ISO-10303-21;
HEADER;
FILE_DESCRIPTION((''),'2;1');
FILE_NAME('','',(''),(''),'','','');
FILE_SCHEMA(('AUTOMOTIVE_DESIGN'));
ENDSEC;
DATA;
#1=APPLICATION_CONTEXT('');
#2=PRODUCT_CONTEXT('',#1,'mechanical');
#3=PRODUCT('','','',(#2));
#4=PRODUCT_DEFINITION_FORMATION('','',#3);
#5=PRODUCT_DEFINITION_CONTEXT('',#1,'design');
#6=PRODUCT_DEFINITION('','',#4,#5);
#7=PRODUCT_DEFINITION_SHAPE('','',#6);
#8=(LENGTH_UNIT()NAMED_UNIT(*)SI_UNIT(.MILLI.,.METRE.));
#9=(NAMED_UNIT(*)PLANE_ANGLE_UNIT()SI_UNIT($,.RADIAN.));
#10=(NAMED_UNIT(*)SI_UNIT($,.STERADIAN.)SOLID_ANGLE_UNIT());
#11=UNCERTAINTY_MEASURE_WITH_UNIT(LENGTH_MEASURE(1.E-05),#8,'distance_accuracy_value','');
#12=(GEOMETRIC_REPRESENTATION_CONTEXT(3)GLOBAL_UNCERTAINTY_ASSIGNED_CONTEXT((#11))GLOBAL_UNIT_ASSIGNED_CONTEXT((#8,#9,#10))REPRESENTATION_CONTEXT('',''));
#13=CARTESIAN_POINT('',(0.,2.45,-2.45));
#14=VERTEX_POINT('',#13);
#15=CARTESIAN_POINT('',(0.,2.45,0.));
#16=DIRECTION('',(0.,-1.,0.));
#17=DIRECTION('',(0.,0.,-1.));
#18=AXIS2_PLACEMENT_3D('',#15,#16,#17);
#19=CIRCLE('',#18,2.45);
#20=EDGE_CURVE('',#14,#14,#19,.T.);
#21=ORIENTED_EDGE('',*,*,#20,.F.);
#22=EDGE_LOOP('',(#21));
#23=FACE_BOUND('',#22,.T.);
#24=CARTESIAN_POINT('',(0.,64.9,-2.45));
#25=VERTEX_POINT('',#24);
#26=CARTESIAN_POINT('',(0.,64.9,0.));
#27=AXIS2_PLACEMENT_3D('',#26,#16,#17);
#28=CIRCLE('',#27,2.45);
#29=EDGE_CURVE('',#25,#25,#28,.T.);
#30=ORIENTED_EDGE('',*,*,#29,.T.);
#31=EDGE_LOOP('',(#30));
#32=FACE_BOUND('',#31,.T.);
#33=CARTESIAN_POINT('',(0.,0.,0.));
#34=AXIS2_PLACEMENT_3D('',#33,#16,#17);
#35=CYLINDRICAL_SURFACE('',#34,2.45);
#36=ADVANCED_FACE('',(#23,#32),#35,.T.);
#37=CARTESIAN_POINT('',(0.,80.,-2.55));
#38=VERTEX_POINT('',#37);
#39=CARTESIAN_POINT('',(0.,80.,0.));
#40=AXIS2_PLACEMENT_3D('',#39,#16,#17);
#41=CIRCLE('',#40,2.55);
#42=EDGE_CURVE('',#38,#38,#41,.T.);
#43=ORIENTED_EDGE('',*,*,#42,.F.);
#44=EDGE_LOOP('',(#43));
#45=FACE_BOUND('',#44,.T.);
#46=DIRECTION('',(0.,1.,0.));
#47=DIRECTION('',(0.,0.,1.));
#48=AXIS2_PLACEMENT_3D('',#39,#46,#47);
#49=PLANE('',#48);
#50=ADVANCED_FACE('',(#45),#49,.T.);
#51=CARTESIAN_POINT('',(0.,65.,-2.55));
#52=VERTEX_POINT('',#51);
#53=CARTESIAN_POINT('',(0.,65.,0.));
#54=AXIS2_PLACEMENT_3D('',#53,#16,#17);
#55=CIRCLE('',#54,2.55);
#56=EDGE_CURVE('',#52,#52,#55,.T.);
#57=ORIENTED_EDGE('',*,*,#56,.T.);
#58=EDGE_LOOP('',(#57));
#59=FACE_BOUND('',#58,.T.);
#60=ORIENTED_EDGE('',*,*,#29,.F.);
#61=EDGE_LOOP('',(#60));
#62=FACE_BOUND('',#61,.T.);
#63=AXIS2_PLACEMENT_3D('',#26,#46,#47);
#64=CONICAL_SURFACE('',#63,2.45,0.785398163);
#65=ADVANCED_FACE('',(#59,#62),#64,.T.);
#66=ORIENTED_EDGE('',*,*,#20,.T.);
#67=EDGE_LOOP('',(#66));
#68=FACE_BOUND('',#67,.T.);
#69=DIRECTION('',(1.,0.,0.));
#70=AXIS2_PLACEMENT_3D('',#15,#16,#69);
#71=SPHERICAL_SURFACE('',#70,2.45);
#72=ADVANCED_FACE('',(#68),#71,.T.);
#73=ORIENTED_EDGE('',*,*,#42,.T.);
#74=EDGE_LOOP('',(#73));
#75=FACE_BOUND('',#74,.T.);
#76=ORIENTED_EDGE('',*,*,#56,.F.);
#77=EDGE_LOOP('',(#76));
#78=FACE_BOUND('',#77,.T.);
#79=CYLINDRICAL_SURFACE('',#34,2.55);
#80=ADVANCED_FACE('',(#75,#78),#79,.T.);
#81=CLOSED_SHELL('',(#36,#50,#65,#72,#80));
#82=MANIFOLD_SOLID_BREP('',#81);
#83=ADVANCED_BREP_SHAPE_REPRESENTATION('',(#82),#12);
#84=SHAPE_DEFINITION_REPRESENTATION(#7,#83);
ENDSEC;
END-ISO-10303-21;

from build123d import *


with BuildPart() as part:
    # Sketch1 → Revolve1 (revolve)
    with BuildSketch(Plane.XY):
        with BuildLine():
            Line((0, 0), (0, 80))
            Line((0, 80), (2.5, 80))
            Line((2.5, 80), (2.55, 80))
            Line((2.55, 80), (2.55, 65))
            Line((2.55, 65), (2.45, 64.9))
            Line((2.45, 64.9), (2.45, 2.45))
            ThreePointArc((2.45, 2.45), (1.732411614, 0.717588386), (0, 0))
        make_face()
    revolve(axis=Axis((0, 0, 0), (0, 1, 0)))


solid = part.part
